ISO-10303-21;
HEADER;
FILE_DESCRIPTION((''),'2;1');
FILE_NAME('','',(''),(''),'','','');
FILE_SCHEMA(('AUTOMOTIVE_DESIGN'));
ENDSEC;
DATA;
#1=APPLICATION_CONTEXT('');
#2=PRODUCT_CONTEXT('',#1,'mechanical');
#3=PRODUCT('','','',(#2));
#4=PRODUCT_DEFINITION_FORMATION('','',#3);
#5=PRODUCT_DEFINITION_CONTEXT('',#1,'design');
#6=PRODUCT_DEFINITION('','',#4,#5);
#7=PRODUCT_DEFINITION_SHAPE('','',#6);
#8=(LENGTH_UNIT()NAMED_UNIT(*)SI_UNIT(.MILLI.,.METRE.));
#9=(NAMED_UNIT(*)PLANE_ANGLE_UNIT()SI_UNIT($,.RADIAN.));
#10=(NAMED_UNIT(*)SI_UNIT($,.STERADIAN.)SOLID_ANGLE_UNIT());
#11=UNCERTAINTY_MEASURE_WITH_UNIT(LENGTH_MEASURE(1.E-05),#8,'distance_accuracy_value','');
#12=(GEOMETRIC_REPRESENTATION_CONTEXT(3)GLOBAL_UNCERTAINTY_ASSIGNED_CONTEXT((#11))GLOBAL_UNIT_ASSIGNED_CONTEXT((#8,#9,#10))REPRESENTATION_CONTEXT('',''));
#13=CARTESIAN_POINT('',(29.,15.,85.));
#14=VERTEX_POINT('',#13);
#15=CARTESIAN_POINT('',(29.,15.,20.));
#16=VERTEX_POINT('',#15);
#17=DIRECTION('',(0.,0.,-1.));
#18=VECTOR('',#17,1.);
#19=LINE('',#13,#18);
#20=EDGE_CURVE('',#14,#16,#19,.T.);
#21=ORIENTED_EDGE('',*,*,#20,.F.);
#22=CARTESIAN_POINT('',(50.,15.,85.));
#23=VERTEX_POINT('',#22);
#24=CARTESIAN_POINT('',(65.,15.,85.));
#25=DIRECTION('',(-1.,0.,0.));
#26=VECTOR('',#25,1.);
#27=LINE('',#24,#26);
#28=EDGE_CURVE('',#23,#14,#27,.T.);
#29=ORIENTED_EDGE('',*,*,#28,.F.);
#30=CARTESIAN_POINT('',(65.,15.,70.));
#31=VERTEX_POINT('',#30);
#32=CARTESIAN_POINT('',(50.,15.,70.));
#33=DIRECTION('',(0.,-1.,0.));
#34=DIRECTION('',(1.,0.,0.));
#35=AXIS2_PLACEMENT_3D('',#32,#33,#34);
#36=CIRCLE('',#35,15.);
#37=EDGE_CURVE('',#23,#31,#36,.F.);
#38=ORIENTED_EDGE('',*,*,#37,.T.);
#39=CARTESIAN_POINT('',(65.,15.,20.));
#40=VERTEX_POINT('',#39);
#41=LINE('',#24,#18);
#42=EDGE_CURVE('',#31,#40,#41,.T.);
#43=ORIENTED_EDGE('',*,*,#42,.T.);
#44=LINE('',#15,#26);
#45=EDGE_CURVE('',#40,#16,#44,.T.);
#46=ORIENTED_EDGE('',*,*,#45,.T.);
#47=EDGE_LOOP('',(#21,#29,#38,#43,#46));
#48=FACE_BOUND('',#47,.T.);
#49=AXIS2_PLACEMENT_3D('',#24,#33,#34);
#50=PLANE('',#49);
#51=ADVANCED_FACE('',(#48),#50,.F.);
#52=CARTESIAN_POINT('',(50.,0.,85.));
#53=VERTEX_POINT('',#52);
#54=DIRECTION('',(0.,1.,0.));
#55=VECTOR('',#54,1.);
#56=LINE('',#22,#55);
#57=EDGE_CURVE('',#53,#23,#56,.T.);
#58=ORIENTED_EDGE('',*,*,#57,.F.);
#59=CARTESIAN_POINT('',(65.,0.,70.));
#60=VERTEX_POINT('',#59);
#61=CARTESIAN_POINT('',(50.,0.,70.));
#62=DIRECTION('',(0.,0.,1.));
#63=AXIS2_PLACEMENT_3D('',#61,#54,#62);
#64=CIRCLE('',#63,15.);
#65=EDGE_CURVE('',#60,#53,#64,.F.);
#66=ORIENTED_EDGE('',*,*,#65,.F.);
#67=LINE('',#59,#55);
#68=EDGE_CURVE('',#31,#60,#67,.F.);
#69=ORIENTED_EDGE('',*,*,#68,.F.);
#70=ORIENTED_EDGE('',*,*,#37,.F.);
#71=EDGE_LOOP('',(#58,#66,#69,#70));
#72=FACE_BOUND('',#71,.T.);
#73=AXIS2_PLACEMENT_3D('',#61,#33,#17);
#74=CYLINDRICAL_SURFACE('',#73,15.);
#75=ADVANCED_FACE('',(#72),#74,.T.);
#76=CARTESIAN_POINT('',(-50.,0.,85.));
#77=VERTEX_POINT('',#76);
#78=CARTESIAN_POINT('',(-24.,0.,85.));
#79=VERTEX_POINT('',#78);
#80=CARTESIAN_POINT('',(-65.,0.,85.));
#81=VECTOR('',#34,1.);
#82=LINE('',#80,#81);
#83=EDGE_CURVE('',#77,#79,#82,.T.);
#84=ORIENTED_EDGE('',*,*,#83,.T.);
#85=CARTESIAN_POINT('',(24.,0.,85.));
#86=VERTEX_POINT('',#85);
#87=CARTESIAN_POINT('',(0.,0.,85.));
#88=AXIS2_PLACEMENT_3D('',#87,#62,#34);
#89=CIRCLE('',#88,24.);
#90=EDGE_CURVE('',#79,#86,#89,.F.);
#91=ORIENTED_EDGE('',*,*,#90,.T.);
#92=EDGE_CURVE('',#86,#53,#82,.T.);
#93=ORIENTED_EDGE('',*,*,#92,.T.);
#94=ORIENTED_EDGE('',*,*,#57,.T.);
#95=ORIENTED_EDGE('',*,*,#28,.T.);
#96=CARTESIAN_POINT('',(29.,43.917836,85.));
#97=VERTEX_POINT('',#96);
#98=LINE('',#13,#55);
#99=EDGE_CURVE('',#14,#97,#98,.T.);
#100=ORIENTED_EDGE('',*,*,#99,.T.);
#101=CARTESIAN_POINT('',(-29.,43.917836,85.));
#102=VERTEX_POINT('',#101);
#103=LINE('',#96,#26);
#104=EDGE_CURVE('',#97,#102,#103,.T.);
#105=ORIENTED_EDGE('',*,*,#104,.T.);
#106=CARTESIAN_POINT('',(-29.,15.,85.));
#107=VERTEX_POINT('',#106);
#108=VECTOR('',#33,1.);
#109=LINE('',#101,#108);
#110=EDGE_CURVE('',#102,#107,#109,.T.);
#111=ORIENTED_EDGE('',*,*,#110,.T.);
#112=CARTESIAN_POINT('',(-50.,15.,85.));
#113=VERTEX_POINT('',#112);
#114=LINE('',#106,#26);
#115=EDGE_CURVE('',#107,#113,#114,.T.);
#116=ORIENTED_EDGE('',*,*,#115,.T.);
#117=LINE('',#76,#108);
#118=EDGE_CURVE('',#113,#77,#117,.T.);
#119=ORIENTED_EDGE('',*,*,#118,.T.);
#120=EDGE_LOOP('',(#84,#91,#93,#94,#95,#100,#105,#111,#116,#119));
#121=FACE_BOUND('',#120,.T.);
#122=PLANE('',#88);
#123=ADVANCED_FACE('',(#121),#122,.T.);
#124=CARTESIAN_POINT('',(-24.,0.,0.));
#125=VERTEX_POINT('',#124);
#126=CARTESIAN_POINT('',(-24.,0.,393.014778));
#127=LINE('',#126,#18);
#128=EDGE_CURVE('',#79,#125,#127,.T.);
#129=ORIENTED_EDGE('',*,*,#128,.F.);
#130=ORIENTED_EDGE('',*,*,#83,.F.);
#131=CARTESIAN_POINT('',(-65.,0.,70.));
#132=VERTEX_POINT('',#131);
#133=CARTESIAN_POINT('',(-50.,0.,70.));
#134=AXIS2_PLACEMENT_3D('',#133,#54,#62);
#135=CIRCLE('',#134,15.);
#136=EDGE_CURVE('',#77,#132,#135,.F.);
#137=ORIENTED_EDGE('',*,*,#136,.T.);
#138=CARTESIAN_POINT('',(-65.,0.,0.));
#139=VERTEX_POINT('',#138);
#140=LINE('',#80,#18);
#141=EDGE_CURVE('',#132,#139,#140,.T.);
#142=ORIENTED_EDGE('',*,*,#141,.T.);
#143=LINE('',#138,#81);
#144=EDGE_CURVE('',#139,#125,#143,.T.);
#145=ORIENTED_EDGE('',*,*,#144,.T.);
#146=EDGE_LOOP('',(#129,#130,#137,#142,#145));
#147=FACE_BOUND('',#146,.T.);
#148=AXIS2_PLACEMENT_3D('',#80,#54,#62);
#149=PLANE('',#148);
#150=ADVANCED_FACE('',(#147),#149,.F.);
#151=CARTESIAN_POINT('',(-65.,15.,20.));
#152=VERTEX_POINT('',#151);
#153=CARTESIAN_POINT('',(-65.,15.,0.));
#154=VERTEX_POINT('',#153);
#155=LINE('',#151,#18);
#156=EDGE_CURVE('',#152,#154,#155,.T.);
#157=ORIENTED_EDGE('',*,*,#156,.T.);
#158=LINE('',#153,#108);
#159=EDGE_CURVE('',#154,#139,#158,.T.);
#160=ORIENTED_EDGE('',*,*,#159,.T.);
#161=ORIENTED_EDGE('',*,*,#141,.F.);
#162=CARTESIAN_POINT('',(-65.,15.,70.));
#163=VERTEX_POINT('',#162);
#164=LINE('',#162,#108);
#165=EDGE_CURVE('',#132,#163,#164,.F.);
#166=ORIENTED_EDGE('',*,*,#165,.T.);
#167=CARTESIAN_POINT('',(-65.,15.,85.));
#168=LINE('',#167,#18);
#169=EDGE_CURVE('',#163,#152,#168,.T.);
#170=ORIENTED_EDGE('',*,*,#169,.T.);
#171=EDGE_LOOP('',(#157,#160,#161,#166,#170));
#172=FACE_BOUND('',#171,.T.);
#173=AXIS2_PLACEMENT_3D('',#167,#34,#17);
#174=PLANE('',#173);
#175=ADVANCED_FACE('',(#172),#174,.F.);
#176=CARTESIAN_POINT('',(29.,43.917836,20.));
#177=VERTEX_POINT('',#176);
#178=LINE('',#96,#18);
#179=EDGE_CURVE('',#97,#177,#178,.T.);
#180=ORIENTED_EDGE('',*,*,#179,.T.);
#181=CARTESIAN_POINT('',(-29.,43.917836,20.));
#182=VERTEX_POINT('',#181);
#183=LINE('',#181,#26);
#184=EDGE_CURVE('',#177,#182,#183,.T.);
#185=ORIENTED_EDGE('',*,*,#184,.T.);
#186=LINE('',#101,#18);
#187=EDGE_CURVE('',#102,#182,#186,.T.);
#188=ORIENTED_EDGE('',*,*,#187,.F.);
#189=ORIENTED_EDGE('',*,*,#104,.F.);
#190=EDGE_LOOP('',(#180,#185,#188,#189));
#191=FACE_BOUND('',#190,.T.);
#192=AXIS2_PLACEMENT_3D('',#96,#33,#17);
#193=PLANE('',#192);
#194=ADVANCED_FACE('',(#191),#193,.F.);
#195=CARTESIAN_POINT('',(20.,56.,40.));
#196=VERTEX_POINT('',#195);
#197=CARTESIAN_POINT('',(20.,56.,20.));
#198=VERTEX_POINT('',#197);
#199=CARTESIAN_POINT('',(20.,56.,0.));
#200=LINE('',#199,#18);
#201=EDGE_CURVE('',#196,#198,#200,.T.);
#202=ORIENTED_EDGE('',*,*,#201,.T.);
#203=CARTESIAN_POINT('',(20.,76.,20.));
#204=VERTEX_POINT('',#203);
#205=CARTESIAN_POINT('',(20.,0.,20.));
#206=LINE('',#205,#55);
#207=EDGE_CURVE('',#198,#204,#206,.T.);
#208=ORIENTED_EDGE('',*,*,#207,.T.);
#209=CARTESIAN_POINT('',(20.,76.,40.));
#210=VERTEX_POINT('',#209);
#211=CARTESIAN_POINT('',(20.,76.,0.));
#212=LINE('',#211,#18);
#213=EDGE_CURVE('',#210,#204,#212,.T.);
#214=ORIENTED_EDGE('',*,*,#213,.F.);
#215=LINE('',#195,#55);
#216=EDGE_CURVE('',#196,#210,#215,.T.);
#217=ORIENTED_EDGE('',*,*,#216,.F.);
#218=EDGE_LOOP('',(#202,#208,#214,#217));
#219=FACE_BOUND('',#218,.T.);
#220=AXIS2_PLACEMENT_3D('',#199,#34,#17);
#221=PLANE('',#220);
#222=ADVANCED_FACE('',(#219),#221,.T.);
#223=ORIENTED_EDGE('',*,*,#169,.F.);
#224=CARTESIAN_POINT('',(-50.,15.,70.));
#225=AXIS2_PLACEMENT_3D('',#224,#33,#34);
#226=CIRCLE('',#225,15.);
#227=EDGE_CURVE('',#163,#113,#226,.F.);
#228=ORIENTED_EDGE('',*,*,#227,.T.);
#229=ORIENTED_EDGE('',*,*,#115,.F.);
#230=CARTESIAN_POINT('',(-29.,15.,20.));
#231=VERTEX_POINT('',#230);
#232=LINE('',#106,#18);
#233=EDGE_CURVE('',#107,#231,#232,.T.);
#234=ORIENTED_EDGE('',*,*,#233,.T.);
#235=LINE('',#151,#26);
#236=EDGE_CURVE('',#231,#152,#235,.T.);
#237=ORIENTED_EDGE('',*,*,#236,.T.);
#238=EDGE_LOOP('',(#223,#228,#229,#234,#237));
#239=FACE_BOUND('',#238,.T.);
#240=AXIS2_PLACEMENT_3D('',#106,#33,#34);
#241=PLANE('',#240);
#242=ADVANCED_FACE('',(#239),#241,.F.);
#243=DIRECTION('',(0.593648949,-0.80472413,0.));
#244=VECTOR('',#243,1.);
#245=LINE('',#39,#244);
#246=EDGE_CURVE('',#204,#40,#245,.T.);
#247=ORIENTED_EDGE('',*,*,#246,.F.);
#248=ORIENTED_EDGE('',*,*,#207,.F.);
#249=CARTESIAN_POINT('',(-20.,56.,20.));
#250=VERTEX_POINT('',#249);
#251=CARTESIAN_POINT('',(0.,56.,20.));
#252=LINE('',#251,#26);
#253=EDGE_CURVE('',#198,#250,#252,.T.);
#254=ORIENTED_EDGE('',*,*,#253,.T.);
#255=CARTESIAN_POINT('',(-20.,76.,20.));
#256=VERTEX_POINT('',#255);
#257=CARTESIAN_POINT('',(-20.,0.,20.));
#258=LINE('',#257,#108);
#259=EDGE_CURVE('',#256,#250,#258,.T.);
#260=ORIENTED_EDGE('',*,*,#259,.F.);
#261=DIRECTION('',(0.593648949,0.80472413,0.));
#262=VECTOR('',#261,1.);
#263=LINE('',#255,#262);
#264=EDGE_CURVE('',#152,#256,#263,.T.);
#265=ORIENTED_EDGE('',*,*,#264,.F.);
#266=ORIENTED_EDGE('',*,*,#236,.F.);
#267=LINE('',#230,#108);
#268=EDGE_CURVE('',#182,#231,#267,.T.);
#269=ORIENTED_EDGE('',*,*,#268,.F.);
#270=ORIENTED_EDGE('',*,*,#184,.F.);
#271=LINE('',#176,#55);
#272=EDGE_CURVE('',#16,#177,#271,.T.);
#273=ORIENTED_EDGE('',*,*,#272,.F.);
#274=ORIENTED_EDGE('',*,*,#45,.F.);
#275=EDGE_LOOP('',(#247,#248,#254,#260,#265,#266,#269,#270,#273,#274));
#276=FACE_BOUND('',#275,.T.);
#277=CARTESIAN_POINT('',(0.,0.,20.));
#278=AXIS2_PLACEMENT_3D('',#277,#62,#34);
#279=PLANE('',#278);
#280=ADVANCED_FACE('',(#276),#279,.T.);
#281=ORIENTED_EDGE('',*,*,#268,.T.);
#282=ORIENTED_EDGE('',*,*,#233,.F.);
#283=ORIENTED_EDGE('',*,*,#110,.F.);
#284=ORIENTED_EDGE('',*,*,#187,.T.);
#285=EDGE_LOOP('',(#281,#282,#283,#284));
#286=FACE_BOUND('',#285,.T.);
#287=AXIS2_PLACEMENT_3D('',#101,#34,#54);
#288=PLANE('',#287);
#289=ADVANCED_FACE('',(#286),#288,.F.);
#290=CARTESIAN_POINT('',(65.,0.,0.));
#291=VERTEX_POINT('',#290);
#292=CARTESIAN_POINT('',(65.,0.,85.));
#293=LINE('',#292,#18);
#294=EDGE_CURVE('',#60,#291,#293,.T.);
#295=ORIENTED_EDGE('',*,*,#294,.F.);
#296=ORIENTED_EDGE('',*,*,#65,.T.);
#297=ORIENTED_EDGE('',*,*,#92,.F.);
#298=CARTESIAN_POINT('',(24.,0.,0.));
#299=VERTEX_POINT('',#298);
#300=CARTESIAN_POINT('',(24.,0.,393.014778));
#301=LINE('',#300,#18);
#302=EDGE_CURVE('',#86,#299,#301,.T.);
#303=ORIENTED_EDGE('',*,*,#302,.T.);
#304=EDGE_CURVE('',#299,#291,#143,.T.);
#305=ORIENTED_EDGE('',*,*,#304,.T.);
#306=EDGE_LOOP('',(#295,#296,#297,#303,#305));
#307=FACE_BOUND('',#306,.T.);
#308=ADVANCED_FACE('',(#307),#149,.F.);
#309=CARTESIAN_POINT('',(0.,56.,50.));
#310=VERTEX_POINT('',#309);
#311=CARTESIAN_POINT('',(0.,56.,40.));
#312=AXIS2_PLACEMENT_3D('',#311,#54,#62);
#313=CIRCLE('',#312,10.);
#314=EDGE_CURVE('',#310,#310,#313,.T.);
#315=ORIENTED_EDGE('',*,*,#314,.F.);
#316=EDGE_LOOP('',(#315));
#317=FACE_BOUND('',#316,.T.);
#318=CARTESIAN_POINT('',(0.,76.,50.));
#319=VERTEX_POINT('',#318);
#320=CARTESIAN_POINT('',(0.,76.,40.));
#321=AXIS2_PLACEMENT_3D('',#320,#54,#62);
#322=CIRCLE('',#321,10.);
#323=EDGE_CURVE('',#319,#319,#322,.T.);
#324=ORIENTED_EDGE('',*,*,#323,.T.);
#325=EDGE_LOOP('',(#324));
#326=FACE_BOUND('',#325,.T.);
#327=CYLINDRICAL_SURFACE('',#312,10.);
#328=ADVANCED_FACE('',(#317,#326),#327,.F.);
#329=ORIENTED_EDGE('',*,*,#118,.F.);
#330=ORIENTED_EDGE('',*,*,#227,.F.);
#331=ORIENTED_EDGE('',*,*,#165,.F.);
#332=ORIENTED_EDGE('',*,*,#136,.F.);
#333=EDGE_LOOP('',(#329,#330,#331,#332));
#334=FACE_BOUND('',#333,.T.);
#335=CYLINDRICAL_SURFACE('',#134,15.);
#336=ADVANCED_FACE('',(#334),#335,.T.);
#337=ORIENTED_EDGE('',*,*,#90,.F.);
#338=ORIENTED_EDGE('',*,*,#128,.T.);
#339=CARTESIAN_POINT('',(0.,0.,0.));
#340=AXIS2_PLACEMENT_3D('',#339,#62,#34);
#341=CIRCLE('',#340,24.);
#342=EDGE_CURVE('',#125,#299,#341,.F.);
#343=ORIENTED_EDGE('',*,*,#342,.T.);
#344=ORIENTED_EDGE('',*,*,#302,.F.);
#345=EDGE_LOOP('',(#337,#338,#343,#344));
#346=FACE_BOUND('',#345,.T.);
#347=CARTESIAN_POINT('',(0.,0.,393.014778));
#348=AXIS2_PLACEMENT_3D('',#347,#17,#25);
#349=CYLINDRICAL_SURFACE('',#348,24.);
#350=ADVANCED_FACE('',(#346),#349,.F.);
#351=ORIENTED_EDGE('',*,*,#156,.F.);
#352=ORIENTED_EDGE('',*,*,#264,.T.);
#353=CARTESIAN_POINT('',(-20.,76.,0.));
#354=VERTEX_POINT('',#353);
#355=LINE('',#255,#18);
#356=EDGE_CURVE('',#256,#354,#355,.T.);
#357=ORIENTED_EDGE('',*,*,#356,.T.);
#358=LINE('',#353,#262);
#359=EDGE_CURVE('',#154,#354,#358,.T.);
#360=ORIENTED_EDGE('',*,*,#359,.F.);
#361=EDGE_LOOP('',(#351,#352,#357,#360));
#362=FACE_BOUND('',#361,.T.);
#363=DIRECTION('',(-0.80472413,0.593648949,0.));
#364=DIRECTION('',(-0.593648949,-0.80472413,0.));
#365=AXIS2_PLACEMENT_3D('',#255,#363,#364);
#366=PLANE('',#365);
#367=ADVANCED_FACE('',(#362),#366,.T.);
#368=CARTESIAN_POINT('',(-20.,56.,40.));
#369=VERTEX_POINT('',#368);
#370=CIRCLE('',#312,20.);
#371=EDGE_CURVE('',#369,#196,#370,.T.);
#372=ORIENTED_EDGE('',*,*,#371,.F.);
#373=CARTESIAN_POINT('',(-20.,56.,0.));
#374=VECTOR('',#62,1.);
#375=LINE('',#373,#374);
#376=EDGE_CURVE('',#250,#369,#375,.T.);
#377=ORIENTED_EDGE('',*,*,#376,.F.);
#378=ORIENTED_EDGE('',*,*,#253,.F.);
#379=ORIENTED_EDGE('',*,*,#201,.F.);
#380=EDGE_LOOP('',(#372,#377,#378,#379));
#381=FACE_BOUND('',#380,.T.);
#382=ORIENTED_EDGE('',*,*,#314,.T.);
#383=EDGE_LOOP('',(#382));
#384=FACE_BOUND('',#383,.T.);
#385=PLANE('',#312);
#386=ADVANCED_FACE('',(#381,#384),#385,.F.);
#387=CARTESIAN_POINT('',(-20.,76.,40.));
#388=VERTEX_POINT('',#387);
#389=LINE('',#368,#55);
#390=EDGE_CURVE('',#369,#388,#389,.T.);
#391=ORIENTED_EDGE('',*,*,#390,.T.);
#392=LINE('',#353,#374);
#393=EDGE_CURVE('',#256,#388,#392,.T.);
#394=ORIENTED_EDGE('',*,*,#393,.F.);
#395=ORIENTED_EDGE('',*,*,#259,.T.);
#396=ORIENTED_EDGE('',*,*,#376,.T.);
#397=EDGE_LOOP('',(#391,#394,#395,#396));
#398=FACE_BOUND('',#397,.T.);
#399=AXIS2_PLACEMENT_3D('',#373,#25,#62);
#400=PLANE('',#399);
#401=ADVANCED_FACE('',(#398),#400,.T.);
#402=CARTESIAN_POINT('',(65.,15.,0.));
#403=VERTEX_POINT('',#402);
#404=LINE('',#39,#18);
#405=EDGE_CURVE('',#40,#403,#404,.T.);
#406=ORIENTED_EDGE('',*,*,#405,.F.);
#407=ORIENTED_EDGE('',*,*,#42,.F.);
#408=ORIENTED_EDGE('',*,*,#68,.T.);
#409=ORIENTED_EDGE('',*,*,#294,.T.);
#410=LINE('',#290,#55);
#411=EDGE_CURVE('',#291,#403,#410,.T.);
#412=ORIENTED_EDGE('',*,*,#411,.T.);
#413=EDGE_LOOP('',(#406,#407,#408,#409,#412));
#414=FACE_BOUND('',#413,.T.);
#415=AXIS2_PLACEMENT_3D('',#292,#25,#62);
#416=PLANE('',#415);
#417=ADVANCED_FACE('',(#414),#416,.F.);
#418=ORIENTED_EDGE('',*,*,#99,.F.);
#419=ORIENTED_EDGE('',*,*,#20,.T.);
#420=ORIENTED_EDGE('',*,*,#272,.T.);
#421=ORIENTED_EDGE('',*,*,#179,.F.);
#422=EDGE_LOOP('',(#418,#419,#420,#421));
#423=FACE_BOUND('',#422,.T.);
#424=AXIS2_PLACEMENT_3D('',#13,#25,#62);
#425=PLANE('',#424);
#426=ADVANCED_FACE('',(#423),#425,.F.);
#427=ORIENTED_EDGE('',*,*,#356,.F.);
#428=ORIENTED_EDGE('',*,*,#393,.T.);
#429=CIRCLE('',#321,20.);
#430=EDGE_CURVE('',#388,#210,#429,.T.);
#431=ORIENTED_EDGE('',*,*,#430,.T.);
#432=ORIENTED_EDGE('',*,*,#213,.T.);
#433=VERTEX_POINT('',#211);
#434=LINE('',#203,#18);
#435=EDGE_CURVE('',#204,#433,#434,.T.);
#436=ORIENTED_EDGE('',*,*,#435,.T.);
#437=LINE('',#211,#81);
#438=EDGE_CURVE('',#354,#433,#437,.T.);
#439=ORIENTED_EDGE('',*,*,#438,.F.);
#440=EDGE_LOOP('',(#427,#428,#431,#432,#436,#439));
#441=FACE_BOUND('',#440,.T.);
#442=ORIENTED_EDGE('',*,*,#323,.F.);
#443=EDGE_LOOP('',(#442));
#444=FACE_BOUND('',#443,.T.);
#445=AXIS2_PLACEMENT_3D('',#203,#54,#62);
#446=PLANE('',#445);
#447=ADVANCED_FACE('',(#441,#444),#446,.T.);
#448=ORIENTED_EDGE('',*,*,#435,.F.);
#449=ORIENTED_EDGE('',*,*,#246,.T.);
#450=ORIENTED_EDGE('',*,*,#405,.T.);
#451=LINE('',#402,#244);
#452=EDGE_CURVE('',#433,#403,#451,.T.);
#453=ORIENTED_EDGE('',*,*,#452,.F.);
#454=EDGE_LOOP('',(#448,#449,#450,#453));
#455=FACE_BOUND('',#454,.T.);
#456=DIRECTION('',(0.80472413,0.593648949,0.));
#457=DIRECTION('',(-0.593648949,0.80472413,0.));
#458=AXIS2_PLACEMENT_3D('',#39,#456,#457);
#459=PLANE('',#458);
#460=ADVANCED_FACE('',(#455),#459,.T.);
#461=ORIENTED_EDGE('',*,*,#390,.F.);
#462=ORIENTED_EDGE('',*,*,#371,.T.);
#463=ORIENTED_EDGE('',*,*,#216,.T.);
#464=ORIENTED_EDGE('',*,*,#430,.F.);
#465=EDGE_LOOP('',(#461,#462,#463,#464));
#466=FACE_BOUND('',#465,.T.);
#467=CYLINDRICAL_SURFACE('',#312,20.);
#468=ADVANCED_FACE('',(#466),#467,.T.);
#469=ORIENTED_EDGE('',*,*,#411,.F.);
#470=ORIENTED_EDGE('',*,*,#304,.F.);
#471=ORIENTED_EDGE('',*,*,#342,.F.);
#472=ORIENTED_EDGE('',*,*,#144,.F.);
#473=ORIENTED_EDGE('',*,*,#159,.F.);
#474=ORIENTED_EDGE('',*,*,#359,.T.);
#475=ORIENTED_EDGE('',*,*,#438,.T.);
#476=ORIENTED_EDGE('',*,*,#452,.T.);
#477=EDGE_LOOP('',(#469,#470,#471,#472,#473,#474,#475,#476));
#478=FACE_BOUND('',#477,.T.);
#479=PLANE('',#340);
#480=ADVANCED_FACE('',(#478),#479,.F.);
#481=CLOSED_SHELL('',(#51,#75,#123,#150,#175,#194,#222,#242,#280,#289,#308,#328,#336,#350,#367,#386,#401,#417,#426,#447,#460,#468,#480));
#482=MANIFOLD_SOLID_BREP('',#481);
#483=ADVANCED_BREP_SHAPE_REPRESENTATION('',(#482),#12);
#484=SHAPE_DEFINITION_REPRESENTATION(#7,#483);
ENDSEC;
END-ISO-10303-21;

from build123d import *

# Parameters (mm, degrees)
EXTRUDE_1_DEPTH          = 85
CUT_EXTRUDE_1_DEPTH      = 116.666660236
CUT_EXTRUDE_1_DEPTH_BACK = 116.666660236
EXTRUDE_2_DEPTH          = 20
SKETCH_5_R               = 10
EXTRUDE_3_DEPTH          = 20
FILLET_1_R               = 15


with BuildPart() as part:
    # 스케치1 → 보스-돌출1 (new body)
    with BuildSketch(Plane.XY):
        Polygon((-65, 0), (65, 0), (65, 15), (29, 15), (29, 43.917835671), (-29, 43.917835671), (-29, 15), (-65, 15), align=None)
    extrude(amount=EXTRUDE_1_DEPTH)

    # 스케치2 → 컷-돌출1 (cut, two sides: drawn at the far end of the back side and taken through both)
    with BuildSketch(Plane.XY.offset(85).offset(-CUT_EXTRUDE_1_DEPTH_BACK)):
        with BuildLine():
            ThreePointArc((24, 0), (0, 24), (-24, 0))
            Line((-24, 0), (24, 0))
        make_face()
    extrude(amount=CUT_EXTRUDE_1_DEPTH + CUT_EXTRUDE_1_DEPTH_BACK, mode=Mode.SUBTRACT)

    # 스케치4 → 보스-돌출2 (add)
    with BuildSketch(Plane(origin=(0, 0, 0), x_dir=(-1, 0, 0), z_dir=(0, 0, -1))):
        Polygon((-65, 15), (-20, 76), (20, 76), (65, 15), (29, 15), (29, 43.917835671), (-29, 43.917835671), (-29, 15), align=None)
    extrude(amount=-EXTRUDE_2_DEPTH)

    # 스케치5 → 보스-돌출3 (add)
    with BuildSketch(Plane(origin=(0, 76, 0), x_dir=(1, 0, 0), z_dir=(0, 1, 0))):
        with BuildLine():
            Line((-20, 0), (-20, -40))
            ThreePointArc((-20, -40), (0, -60), (20, -40))
            Line((20, -40), (20, 0))
            Line((20, 0), (-20, 0))
        make_face()
        with Locations(Location((0, -40, 0), (0, 0, 270))):
            Circle(SKETCH_5_R, mode=Mode.SUBTRACT)
    extrude(amount=-EXTRUDE_3_DEPTH)

    # 필렛1
    fillet_1_edges = [part.edges().sort_by_distance(p)[0] for p in [
        (65, 7.5, 85),
        (-65, 7.5, 85),
    ]]
    fillet(fillet_1_edges, radius=FILLET_1_R)


solid = part.part
